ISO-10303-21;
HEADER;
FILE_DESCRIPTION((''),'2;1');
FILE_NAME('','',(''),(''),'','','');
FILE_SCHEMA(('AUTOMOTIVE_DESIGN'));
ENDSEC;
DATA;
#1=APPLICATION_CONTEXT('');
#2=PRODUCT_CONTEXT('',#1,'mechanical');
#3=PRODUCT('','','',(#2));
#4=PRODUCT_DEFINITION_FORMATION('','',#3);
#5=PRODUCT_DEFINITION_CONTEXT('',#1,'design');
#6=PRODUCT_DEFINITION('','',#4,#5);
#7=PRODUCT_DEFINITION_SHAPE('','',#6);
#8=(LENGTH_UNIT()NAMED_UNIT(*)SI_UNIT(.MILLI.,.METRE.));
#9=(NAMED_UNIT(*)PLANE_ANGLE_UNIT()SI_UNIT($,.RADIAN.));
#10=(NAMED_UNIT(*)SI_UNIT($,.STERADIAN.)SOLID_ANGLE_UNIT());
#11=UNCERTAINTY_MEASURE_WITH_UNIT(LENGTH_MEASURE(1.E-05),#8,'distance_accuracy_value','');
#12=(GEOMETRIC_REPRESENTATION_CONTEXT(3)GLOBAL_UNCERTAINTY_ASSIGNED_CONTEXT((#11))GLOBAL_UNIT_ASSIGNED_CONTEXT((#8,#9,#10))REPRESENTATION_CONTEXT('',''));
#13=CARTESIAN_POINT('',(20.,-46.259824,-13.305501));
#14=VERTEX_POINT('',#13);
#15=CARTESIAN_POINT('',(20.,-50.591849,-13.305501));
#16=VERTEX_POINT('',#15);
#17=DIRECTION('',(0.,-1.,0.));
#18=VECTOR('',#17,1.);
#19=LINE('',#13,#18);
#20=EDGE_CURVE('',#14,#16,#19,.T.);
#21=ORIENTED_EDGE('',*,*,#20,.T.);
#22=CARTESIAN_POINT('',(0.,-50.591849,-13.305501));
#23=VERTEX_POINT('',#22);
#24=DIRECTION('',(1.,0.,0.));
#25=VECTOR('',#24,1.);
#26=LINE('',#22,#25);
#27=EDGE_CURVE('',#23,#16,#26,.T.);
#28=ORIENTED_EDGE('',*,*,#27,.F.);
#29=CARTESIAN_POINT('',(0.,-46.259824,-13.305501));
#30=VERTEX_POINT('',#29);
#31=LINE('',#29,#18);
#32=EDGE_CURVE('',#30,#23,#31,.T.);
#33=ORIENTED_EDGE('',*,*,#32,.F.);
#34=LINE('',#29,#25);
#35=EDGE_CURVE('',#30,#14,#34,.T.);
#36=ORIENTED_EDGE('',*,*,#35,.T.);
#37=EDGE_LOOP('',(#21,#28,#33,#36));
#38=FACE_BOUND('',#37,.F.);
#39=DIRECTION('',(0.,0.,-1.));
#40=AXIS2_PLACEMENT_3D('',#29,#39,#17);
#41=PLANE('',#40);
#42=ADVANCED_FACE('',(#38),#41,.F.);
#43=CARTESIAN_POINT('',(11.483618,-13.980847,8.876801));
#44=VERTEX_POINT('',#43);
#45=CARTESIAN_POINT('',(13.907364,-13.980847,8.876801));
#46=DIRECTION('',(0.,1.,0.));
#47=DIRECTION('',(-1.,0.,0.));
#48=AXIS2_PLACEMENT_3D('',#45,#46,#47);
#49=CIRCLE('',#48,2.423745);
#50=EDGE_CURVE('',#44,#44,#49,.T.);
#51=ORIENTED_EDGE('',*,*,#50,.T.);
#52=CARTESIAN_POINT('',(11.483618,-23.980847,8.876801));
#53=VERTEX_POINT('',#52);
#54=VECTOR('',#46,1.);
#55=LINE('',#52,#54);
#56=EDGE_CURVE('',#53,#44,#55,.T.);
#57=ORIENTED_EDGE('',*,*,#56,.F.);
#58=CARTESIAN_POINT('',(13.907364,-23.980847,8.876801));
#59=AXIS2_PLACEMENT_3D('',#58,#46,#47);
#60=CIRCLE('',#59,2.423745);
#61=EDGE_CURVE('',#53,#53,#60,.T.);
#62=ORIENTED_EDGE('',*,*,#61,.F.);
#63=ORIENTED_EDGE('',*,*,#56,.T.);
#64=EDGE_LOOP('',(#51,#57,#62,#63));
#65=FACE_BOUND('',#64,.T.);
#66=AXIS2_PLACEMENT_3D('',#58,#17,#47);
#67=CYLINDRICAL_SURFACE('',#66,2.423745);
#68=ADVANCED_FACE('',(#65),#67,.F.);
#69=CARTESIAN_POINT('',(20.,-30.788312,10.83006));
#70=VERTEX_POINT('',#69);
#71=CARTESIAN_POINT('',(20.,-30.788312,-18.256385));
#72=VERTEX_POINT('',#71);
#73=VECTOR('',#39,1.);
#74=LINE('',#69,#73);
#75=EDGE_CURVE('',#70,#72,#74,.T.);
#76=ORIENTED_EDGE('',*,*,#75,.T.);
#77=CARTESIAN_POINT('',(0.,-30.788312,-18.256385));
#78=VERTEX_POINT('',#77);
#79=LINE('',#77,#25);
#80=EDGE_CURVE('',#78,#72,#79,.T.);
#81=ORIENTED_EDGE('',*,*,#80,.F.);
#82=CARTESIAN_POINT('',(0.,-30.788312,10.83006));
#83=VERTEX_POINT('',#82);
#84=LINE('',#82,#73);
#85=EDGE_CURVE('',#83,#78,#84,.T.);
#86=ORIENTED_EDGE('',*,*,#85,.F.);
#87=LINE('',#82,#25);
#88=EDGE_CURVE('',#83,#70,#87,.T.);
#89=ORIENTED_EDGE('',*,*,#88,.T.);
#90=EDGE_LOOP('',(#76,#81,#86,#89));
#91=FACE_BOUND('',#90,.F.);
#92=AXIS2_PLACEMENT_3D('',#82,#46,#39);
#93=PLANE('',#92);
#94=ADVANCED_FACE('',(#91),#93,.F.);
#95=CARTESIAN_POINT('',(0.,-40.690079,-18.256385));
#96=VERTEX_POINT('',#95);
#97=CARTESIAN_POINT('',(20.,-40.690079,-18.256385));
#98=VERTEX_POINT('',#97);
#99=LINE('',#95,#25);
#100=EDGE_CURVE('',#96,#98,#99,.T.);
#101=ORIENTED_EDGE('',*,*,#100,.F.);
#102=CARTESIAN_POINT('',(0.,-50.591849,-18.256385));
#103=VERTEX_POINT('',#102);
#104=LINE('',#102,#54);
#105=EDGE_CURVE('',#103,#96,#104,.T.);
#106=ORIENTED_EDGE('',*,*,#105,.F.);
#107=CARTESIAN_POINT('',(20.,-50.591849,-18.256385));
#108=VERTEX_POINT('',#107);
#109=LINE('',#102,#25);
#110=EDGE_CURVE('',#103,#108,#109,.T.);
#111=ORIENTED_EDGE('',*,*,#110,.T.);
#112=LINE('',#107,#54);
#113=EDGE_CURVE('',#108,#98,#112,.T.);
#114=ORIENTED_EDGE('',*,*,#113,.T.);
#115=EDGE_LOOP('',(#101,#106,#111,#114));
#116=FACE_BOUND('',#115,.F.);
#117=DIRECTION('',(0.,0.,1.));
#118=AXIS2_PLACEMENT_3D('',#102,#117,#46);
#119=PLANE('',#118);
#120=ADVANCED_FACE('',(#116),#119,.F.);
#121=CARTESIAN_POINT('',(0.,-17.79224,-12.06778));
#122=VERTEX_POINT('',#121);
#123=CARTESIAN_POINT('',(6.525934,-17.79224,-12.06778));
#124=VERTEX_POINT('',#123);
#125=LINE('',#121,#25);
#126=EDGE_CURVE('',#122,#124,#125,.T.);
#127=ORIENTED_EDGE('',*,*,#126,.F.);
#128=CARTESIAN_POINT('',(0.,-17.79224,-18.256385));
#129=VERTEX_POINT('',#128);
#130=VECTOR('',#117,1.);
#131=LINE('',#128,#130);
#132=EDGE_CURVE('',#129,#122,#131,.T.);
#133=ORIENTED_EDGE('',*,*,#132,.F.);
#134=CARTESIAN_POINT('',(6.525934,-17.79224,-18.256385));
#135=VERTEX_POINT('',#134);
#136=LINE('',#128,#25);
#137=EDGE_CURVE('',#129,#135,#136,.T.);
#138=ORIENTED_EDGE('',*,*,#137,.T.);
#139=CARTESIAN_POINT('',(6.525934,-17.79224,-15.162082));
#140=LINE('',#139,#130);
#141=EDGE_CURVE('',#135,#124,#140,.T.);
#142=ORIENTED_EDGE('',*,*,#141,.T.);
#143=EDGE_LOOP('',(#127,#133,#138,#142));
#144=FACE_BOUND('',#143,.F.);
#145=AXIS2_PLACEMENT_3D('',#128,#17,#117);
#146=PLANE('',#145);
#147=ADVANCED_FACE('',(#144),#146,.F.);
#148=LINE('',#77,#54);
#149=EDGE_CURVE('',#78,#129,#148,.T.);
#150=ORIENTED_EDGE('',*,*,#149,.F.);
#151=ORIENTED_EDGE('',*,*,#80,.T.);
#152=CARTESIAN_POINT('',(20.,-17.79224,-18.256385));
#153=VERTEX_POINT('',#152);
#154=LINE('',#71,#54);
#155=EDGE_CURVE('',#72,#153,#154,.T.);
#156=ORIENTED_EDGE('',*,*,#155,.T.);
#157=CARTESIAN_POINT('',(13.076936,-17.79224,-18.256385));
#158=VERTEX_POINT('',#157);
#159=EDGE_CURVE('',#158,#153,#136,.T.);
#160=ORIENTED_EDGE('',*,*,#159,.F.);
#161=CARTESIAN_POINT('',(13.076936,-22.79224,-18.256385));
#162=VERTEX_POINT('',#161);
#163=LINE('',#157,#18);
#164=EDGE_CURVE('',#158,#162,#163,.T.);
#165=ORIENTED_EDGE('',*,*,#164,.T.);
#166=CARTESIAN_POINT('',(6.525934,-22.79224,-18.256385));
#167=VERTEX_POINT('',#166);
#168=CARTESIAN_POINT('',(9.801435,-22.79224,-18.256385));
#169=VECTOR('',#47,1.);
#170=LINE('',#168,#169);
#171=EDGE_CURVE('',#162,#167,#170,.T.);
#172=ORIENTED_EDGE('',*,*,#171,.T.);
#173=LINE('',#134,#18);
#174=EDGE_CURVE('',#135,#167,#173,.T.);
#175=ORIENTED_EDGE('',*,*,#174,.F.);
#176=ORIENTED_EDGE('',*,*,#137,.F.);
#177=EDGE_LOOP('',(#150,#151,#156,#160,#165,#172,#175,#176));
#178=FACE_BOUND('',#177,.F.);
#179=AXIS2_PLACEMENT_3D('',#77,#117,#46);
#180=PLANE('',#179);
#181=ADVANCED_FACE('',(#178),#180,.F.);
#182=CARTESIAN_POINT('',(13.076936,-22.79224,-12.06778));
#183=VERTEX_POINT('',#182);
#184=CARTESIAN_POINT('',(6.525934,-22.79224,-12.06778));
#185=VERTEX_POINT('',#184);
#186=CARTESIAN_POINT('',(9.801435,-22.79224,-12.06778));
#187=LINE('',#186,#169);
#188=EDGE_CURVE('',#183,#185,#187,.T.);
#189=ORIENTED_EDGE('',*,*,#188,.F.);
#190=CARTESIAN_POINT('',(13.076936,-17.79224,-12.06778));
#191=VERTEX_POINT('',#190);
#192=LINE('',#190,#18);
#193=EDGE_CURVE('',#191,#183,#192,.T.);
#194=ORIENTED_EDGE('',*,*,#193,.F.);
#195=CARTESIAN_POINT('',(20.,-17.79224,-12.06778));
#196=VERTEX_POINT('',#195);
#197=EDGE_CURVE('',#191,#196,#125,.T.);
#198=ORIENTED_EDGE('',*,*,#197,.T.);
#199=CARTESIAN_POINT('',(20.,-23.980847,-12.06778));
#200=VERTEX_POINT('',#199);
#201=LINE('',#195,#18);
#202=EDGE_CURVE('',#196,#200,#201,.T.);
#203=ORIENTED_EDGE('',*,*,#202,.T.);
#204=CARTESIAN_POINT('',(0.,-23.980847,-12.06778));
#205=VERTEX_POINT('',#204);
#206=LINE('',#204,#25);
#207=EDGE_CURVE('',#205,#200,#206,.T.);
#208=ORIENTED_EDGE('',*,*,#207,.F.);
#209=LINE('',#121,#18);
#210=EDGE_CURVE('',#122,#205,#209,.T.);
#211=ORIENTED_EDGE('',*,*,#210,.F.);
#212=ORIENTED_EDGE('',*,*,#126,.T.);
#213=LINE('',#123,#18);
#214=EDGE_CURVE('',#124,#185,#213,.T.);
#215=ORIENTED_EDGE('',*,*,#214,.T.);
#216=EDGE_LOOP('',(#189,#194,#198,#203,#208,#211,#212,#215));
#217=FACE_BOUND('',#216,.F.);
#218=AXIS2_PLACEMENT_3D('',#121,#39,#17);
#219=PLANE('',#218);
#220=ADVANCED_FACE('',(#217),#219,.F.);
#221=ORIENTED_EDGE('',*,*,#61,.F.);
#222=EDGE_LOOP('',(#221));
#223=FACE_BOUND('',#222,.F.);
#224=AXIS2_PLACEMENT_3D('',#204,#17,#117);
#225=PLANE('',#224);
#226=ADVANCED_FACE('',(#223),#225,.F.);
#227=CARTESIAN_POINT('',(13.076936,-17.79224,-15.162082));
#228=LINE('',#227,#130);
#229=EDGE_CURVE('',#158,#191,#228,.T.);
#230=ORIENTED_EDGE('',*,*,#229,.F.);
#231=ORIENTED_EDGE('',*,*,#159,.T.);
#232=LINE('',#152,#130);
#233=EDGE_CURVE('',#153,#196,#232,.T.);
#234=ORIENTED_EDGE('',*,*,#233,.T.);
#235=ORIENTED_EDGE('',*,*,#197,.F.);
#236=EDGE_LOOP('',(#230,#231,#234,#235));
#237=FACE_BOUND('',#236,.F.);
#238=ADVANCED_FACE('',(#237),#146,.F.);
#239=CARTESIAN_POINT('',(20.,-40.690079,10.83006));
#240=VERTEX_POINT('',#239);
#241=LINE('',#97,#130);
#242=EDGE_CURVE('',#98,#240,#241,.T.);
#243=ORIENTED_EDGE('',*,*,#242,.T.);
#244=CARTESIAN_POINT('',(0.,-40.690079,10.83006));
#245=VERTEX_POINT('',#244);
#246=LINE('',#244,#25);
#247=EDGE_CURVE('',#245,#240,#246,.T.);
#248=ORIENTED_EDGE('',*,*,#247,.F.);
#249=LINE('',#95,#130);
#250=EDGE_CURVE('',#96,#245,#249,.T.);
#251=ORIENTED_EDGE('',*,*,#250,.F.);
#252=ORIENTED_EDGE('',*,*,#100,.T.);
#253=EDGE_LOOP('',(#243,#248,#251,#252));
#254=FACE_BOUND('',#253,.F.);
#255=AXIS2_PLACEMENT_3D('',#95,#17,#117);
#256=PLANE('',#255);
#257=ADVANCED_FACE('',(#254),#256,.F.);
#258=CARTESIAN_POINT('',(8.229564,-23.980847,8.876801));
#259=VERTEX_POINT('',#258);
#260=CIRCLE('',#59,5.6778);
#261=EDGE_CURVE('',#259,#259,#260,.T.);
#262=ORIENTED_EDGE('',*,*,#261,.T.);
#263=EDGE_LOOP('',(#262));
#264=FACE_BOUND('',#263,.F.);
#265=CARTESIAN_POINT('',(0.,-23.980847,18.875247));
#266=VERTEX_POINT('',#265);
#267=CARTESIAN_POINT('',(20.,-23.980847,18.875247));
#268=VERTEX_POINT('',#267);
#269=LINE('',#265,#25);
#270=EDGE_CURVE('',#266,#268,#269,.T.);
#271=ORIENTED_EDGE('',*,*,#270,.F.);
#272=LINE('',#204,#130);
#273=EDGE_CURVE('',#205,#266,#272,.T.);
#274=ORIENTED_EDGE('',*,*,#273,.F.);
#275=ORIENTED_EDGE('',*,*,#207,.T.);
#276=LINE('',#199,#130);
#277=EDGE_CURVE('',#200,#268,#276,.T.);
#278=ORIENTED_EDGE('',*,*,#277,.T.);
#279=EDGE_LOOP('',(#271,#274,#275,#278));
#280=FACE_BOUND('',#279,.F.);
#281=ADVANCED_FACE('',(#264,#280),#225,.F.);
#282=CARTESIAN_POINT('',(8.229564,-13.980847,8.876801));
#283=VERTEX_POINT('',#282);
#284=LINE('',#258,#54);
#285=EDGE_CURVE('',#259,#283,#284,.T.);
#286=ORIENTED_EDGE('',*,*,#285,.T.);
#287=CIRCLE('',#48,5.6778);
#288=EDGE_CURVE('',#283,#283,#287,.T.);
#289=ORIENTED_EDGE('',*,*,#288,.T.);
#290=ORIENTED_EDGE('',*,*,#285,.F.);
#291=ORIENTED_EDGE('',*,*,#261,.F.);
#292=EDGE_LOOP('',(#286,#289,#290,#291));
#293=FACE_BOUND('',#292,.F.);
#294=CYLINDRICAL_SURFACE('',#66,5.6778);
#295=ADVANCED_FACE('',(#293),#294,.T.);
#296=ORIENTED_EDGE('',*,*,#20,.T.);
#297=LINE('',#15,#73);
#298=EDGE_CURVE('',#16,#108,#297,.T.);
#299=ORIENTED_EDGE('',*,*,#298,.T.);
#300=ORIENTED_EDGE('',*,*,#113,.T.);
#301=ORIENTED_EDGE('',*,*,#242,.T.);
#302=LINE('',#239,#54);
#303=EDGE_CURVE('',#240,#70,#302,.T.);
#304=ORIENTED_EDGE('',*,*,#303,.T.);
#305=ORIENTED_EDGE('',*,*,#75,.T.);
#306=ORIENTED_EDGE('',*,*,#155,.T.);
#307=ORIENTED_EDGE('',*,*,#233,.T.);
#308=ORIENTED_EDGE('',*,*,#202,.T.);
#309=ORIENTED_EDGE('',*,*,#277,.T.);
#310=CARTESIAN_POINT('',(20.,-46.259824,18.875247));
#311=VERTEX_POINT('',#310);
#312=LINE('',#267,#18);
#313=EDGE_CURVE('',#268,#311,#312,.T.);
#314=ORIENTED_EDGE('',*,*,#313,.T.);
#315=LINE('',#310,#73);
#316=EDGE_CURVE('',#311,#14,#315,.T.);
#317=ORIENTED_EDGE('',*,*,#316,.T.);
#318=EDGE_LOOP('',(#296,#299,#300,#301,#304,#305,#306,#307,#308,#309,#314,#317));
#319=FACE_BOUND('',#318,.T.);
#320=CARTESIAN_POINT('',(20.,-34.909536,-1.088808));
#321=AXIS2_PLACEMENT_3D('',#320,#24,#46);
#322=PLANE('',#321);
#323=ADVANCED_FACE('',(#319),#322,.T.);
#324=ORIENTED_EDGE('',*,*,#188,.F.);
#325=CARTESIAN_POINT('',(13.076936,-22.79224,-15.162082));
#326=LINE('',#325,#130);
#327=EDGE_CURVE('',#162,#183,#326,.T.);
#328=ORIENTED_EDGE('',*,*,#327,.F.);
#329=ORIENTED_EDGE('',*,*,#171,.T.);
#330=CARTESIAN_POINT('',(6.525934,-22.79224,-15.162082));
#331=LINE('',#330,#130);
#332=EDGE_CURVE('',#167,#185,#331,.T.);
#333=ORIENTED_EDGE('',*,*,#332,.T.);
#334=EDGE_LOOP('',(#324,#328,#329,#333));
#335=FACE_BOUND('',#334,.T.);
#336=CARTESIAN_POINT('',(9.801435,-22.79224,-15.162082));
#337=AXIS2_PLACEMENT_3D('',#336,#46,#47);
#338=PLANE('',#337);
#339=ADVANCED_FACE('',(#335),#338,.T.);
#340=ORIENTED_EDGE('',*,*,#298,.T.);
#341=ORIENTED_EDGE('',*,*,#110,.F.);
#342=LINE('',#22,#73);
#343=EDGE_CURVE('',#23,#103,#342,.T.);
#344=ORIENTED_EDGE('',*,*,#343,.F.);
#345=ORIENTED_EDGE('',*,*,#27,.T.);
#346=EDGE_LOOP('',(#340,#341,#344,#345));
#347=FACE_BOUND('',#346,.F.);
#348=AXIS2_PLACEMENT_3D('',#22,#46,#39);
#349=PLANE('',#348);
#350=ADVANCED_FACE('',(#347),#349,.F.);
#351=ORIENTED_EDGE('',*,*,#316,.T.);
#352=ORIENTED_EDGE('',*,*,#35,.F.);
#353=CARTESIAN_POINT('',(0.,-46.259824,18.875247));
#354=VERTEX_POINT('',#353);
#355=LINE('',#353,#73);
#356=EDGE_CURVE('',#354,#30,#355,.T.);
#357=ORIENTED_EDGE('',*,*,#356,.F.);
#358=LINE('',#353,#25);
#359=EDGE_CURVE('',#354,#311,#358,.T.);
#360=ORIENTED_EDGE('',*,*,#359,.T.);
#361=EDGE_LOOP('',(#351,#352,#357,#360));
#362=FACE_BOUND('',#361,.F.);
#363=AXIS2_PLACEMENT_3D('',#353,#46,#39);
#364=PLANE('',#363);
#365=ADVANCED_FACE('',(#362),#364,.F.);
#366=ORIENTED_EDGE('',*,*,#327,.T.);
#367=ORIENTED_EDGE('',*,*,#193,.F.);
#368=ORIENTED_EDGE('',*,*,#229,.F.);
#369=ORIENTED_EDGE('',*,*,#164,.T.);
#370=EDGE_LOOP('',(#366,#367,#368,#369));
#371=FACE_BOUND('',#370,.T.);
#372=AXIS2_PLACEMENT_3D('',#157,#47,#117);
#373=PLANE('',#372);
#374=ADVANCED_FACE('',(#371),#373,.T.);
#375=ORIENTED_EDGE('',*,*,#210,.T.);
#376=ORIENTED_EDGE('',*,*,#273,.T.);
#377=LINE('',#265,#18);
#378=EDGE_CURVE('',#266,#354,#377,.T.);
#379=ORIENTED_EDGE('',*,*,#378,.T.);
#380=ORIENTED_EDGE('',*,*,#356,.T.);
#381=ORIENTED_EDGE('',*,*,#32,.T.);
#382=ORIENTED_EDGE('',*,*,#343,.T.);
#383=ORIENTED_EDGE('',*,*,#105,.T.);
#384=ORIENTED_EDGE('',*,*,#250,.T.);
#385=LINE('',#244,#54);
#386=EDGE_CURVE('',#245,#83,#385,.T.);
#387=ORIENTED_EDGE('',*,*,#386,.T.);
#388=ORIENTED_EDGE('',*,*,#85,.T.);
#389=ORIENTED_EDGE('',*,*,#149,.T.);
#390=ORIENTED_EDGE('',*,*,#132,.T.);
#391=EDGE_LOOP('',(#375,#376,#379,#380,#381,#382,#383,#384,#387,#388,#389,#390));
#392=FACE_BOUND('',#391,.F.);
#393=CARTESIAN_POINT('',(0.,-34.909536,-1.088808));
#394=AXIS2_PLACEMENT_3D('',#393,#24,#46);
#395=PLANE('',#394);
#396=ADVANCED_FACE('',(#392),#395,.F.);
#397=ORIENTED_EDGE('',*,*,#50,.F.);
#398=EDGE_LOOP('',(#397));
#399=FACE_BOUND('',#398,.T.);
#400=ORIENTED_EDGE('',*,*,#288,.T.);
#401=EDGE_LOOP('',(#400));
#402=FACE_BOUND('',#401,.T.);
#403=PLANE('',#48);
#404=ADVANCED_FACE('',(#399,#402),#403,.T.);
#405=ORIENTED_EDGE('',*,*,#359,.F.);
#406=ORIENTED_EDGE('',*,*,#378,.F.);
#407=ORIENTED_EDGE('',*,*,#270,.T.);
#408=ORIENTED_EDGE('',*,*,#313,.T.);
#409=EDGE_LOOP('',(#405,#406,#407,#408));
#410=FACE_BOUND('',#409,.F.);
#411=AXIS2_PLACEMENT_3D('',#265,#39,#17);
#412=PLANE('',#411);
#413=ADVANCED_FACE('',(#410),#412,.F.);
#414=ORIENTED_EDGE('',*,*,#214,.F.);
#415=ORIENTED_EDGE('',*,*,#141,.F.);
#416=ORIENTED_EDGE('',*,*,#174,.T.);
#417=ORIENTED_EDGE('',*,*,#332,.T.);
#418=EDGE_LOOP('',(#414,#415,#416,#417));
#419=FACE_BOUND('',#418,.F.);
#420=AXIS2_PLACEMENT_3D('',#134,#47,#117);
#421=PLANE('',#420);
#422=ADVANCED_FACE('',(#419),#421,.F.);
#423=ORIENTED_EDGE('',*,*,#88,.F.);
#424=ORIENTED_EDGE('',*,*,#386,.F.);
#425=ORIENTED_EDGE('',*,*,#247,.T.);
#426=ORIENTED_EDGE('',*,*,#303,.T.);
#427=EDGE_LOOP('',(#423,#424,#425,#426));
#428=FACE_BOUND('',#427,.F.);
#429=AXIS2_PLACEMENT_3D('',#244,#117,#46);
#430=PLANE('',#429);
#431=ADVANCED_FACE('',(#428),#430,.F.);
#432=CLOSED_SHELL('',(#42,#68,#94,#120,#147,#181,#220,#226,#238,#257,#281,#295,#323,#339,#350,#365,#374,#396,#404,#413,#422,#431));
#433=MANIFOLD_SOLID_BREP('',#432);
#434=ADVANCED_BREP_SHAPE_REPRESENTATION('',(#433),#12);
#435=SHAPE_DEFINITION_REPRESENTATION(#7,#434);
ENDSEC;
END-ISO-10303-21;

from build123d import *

# Parameters (mm, degrees)
F1_DEPTH = 20
F2_W     = 6.5510021523
F2_H     = 6.1886049807
F3_DEPTH = 5
F4_R     = 5.6777996294
F4_R_2   = 2.4237453519
F5_DEPTH = 10


with BuildPart() as f1:
    # F0 (on Right) → F1 (new body)
    with BuildSketch(Plane.YZ):
        Polygon((-46.2598241866, -13.305501081), (-50.5918487906, -13.305501081), (-50.5918487906, -18.2563848794), (-40.6900793314, -18.2563848794), (-40.6900793314, 10.8300596476), (-30.7883117348, 10.8300596476), (-30.7883117348, -18.2563848794), (-17.7922397852, -18.2563848794), (-17.7922397852, -12.0677798986), (-23.9808466285, -12.0677798986), (-23.9808466285, 18.8752468675), (-46.2598241866, 18.8752468675), align=None)
    extrude(amount=F1_DEPTH)

    # F2 (on face) → F3 (cut)
    with BuildSketch(Plane(origin=(0, -17.7922397852, 0), x_dir=(-1, 0, 0), z_dir=(0, 1, 0))):
        with Locations((-9.8014348187, -15.162082389)):
            Rectangle(F2_W, F2_H)
    extrude(amount=-F3_DEPTH, mode=Mode.SUBTRACT)

    # F4 (on face) → F5 (join)
    with BuildSketch(Plane(origin=(0, -23.9808466285, 0), x_dir=(-1, 0, 0), z_dir=(0, 1, 0))):
        with Locations((-13.9073636383, 8.8768014684)):
            Circle(F4_R)
        with Locations((-13.9073636383, 8.8768014684)):
            Circle(F4_R_2, mode=Mode.SUBTRACT)
    extrude(amount=F5_DEPTH)


solid = f1.part
